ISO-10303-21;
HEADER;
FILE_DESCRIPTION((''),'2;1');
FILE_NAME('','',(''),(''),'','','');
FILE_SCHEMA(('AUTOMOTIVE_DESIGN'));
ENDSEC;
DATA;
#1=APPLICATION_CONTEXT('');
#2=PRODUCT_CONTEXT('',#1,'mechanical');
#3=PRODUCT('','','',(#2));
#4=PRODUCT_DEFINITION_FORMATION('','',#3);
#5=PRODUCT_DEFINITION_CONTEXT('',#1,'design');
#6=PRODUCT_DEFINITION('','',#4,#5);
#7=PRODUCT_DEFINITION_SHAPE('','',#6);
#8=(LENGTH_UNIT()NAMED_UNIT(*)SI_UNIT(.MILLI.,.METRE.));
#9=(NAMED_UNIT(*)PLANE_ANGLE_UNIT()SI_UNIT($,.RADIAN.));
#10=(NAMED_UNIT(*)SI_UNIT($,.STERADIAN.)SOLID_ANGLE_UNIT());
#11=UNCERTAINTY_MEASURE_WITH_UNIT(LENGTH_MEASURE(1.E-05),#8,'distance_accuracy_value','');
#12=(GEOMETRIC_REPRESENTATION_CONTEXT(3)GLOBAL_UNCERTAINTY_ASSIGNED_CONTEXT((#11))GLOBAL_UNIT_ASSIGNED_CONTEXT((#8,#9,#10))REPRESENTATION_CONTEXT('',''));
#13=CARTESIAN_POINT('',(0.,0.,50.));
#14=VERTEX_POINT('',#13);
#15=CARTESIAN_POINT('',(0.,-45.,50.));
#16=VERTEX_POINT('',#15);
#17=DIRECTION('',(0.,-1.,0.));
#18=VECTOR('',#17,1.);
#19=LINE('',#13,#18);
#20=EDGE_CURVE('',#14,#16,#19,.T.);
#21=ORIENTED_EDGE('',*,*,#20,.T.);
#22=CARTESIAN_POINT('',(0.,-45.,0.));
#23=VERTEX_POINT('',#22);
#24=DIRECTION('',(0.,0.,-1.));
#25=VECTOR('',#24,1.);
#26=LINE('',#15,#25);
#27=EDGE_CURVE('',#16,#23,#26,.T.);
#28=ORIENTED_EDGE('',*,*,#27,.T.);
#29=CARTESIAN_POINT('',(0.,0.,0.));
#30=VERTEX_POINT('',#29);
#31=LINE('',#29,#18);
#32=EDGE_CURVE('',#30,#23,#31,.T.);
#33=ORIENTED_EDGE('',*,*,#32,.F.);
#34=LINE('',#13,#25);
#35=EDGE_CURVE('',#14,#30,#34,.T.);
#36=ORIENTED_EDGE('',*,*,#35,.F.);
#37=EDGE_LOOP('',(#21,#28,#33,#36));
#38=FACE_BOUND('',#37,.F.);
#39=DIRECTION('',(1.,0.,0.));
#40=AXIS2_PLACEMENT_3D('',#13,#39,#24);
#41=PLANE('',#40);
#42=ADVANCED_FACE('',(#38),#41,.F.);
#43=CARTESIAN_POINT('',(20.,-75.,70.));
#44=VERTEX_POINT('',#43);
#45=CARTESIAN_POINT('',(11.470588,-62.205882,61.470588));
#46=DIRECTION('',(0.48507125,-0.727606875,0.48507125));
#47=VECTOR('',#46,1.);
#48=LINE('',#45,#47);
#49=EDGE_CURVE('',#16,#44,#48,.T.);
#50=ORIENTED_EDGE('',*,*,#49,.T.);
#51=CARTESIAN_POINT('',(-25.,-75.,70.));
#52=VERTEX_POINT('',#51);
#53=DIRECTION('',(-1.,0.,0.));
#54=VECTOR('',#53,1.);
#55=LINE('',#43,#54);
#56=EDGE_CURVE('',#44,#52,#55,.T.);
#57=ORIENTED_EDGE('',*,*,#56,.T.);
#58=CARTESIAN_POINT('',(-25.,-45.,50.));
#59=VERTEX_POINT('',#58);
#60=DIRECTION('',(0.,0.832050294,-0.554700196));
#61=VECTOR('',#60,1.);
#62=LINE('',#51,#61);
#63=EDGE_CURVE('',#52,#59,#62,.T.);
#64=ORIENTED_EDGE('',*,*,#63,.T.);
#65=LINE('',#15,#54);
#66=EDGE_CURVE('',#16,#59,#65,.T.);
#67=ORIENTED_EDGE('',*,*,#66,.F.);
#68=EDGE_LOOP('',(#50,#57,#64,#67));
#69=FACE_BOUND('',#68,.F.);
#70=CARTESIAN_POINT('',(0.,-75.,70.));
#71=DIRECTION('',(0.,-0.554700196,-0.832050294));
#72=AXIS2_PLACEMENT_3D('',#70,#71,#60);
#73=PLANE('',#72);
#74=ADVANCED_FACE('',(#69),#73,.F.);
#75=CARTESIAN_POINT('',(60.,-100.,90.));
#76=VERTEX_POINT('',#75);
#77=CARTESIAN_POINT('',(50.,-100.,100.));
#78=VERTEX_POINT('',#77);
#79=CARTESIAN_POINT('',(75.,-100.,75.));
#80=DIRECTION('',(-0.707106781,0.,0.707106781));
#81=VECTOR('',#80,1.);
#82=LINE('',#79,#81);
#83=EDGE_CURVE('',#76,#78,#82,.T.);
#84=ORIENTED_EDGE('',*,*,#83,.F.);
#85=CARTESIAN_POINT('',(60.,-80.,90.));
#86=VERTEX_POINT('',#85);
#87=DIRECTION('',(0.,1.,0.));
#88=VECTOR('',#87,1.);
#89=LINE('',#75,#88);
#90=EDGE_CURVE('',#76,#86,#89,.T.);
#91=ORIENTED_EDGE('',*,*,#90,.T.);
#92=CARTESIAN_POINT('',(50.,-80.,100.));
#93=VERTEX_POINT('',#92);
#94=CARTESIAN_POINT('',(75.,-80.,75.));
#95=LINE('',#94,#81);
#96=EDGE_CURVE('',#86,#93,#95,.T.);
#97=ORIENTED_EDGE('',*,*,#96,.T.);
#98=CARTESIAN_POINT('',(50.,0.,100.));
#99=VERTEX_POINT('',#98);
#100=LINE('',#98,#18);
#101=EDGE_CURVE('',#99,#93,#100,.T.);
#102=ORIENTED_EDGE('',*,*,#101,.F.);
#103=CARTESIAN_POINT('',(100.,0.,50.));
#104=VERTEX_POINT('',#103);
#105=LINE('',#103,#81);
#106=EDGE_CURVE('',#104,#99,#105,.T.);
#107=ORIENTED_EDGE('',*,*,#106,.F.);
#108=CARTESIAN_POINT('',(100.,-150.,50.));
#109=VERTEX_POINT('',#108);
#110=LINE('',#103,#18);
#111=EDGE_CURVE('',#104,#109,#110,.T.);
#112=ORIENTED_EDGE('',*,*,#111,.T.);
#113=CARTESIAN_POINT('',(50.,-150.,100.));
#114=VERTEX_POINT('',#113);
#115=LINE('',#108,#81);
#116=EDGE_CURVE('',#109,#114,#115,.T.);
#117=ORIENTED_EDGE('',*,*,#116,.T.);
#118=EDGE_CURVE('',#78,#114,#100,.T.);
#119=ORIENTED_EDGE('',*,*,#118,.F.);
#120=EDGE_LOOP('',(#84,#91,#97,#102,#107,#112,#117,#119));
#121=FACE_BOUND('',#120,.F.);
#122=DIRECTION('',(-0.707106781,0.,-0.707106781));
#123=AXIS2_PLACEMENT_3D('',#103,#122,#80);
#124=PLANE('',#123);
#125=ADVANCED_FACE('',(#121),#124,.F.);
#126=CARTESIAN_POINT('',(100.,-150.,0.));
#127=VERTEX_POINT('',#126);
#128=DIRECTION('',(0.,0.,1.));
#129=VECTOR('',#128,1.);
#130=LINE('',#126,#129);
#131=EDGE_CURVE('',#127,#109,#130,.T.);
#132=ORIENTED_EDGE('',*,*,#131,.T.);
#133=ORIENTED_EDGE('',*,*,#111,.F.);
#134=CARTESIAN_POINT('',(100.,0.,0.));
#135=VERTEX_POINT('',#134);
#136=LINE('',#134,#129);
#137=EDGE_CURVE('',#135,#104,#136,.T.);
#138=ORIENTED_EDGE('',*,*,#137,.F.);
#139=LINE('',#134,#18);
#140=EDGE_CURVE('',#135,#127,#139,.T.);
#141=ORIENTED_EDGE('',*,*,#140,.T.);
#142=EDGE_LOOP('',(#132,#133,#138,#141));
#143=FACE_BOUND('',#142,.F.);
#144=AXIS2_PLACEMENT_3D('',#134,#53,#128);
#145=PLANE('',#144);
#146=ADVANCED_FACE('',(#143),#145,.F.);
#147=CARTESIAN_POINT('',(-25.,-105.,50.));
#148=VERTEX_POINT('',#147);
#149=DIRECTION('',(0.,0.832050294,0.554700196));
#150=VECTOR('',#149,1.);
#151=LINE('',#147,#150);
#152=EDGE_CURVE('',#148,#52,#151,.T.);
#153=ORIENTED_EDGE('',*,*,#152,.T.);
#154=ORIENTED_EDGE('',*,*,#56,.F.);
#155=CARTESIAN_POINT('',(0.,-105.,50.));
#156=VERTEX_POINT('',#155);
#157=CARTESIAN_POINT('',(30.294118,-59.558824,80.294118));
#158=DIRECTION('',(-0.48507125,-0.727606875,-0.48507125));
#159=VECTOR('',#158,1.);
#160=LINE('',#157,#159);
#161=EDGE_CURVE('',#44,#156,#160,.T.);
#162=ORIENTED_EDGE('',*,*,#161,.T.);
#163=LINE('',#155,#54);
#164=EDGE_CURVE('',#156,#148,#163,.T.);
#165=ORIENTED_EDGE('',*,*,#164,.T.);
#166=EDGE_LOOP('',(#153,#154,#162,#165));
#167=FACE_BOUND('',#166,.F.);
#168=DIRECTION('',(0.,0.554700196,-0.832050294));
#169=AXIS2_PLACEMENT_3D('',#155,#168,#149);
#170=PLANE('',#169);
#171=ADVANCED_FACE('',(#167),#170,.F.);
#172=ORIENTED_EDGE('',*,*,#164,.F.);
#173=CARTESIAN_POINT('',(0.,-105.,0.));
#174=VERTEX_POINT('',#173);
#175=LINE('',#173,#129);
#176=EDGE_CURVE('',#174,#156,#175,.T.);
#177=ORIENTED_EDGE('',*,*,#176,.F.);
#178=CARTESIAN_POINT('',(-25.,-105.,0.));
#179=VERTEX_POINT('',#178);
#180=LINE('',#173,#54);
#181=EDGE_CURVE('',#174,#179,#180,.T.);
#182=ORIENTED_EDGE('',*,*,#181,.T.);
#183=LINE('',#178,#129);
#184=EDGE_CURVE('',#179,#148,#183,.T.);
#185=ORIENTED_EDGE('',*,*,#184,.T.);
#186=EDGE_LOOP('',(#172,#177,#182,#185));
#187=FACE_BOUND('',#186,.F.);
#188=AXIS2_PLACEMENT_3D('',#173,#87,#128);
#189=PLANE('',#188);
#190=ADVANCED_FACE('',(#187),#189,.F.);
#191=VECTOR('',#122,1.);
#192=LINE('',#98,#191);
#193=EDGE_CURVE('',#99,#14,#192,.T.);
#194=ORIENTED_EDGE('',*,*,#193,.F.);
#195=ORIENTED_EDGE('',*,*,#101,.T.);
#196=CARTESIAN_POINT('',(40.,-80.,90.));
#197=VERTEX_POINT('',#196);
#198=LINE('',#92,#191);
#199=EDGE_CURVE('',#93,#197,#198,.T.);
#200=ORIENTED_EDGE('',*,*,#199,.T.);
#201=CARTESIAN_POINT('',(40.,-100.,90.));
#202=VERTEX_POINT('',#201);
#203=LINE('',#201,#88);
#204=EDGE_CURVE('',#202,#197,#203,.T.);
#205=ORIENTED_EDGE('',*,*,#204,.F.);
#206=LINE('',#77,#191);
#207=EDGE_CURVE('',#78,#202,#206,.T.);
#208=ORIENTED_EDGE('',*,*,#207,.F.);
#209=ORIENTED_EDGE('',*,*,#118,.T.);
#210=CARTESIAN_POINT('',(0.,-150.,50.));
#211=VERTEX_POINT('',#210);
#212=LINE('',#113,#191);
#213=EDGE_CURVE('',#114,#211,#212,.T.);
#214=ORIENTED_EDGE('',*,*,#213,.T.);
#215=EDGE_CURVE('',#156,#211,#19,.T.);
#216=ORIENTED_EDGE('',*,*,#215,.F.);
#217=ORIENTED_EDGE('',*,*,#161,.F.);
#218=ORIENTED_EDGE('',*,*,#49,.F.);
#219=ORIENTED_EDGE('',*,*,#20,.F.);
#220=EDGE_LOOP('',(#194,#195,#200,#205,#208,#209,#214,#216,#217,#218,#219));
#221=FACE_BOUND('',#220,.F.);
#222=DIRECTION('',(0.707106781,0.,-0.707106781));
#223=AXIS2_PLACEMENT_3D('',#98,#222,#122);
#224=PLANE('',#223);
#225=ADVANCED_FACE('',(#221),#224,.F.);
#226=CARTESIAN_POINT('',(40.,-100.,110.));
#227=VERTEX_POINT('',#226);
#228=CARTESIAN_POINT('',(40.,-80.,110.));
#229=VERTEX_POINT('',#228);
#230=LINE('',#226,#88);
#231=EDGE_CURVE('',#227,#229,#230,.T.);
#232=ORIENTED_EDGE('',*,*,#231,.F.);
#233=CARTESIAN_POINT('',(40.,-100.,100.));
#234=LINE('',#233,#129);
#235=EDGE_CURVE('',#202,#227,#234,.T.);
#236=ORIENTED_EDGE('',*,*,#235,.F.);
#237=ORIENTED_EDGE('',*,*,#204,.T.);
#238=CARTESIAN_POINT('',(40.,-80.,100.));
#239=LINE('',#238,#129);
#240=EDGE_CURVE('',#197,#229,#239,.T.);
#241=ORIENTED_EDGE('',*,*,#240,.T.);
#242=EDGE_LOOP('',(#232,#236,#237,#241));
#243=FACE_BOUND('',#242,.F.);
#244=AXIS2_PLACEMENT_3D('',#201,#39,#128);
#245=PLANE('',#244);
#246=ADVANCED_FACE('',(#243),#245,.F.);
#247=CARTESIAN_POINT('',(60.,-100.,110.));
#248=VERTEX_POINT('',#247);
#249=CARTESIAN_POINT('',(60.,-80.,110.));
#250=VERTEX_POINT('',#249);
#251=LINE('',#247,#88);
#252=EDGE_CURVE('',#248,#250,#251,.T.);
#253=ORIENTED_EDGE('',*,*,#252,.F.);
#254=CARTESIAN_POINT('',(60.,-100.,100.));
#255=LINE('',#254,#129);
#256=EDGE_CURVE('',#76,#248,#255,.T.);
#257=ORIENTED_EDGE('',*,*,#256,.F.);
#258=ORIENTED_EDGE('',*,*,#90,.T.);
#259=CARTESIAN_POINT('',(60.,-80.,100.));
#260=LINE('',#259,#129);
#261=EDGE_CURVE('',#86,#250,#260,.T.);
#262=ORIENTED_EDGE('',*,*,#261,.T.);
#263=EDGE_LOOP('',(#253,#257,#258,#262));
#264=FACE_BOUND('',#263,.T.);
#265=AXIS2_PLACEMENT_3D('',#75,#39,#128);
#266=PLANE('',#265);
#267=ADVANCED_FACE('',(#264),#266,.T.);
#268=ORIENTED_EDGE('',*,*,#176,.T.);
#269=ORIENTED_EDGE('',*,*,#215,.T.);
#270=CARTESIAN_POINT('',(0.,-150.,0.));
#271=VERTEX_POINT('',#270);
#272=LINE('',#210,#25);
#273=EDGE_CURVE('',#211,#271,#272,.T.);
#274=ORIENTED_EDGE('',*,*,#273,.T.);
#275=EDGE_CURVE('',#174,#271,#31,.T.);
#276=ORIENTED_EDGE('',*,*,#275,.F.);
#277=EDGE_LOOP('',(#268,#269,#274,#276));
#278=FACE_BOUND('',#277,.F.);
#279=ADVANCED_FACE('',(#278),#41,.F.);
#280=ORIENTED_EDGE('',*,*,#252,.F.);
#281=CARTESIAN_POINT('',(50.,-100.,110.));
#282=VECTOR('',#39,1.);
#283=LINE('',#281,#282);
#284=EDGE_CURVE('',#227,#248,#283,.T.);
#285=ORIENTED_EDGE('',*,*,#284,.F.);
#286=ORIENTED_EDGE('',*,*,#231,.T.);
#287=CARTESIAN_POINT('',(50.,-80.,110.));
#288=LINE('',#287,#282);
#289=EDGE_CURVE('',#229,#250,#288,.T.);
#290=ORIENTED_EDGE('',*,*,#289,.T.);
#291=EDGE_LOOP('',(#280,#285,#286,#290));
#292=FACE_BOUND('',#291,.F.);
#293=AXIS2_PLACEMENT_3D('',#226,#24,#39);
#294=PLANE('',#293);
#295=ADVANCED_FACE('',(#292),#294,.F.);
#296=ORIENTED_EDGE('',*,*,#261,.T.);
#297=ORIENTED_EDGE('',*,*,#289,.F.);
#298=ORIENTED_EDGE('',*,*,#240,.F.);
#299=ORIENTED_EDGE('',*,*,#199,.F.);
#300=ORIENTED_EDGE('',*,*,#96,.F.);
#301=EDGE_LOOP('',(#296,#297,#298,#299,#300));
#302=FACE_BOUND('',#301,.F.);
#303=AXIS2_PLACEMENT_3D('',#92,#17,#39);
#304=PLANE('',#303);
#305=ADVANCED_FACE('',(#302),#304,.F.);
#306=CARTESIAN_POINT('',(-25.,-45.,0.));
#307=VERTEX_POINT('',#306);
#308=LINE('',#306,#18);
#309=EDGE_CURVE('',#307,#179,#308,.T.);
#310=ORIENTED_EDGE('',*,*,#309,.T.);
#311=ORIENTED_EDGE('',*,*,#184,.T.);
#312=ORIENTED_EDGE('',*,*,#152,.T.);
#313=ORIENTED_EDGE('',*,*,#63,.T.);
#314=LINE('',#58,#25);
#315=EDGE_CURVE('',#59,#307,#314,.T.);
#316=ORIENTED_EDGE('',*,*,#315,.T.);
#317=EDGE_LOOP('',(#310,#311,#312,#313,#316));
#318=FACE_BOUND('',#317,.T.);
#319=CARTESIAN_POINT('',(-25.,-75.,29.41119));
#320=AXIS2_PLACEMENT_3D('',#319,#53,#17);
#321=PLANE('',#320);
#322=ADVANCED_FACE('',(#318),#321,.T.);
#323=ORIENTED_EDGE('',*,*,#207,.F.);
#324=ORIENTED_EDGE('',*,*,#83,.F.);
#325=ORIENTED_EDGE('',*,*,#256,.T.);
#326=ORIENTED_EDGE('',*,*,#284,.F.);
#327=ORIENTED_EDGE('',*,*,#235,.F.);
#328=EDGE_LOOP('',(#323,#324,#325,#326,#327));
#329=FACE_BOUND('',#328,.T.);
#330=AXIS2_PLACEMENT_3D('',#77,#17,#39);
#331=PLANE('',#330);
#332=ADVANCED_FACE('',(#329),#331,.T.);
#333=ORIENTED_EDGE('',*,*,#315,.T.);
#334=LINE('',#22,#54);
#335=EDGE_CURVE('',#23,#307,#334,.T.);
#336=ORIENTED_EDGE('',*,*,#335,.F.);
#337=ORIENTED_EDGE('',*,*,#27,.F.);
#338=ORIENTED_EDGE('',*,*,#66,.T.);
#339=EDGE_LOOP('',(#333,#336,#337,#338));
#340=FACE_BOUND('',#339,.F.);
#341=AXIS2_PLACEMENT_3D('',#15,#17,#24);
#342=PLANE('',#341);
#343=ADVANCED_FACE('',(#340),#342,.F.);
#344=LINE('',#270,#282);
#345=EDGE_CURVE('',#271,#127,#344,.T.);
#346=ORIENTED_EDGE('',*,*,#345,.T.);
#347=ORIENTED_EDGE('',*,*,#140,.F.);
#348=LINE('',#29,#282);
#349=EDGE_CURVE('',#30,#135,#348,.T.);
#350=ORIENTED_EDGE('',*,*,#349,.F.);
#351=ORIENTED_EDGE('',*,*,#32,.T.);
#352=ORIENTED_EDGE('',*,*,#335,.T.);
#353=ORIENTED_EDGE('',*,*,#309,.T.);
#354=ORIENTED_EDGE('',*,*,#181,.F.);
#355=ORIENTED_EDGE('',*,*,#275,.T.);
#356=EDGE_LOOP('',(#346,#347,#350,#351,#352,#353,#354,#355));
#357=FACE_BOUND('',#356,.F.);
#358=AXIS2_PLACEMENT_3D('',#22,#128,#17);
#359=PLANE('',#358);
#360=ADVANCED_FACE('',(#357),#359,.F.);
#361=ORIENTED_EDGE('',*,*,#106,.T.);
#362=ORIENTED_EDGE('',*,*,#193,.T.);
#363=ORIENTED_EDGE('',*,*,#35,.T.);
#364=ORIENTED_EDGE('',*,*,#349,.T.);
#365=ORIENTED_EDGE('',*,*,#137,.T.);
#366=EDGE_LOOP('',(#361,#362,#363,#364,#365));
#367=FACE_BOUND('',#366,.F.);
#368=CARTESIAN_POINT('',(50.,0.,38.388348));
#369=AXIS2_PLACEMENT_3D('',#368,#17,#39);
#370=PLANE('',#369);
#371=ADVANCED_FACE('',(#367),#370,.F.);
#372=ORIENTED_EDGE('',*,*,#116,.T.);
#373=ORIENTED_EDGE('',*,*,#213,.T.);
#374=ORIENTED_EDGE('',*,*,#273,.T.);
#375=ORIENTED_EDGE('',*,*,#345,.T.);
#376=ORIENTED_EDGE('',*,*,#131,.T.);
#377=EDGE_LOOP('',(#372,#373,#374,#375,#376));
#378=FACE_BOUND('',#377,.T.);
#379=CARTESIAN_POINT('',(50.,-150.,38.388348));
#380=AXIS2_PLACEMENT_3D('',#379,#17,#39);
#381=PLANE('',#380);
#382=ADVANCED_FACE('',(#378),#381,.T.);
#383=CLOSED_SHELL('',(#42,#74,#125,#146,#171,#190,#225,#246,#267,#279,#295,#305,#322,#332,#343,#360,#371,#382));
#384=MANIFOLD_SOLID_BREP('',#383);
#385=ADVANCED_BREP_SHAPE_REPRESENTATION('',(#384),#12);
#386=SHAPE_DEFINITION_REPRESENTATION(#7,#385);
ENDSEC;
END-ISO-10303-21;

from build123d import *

# Parameters (mm, degrees)
F1_DEPTH      = 150
F3_DEPTH      = 25
F3_DEPTH_BACK = 25
F5_W          = 20
F5_H          = 20
F6_DEPTH      = 20


with BuildPart() as f1:
    # F0 (on Front) → F1 (new body)
    with BuildSketch(Plane.XZ):
        Polygon((0, 50), (0, 0), (100, 0), (100, 50), (50, 100), align=None)
    extrude(amount=F1_DEPTH)

    # F2 (on face) → F3 (join, two sides)
    with BuildSketch(Plane(origin=(0, 0, 0), x_dir=(0, -1, 0), z_dir=(-1, 0, 0))) as f3_sk:
        Polygon((45, 50), (45, 0), (105, 0), (105, 50), (75, 70), align=None)
    extrude(amount=F3_DEPTH)
    extrude(f3_sk.sketch, amount=-F3_DEPTH_BACK)

    # F5 (on offset) → F6 (join)
    with BuildSketch(Plane.XZ.offset(100)):
        with Locations((50, 100)):
            Rectangle(F5_W, F5_H)
    extrude(amount=-F6_DEPTH)


solid = f1.part
